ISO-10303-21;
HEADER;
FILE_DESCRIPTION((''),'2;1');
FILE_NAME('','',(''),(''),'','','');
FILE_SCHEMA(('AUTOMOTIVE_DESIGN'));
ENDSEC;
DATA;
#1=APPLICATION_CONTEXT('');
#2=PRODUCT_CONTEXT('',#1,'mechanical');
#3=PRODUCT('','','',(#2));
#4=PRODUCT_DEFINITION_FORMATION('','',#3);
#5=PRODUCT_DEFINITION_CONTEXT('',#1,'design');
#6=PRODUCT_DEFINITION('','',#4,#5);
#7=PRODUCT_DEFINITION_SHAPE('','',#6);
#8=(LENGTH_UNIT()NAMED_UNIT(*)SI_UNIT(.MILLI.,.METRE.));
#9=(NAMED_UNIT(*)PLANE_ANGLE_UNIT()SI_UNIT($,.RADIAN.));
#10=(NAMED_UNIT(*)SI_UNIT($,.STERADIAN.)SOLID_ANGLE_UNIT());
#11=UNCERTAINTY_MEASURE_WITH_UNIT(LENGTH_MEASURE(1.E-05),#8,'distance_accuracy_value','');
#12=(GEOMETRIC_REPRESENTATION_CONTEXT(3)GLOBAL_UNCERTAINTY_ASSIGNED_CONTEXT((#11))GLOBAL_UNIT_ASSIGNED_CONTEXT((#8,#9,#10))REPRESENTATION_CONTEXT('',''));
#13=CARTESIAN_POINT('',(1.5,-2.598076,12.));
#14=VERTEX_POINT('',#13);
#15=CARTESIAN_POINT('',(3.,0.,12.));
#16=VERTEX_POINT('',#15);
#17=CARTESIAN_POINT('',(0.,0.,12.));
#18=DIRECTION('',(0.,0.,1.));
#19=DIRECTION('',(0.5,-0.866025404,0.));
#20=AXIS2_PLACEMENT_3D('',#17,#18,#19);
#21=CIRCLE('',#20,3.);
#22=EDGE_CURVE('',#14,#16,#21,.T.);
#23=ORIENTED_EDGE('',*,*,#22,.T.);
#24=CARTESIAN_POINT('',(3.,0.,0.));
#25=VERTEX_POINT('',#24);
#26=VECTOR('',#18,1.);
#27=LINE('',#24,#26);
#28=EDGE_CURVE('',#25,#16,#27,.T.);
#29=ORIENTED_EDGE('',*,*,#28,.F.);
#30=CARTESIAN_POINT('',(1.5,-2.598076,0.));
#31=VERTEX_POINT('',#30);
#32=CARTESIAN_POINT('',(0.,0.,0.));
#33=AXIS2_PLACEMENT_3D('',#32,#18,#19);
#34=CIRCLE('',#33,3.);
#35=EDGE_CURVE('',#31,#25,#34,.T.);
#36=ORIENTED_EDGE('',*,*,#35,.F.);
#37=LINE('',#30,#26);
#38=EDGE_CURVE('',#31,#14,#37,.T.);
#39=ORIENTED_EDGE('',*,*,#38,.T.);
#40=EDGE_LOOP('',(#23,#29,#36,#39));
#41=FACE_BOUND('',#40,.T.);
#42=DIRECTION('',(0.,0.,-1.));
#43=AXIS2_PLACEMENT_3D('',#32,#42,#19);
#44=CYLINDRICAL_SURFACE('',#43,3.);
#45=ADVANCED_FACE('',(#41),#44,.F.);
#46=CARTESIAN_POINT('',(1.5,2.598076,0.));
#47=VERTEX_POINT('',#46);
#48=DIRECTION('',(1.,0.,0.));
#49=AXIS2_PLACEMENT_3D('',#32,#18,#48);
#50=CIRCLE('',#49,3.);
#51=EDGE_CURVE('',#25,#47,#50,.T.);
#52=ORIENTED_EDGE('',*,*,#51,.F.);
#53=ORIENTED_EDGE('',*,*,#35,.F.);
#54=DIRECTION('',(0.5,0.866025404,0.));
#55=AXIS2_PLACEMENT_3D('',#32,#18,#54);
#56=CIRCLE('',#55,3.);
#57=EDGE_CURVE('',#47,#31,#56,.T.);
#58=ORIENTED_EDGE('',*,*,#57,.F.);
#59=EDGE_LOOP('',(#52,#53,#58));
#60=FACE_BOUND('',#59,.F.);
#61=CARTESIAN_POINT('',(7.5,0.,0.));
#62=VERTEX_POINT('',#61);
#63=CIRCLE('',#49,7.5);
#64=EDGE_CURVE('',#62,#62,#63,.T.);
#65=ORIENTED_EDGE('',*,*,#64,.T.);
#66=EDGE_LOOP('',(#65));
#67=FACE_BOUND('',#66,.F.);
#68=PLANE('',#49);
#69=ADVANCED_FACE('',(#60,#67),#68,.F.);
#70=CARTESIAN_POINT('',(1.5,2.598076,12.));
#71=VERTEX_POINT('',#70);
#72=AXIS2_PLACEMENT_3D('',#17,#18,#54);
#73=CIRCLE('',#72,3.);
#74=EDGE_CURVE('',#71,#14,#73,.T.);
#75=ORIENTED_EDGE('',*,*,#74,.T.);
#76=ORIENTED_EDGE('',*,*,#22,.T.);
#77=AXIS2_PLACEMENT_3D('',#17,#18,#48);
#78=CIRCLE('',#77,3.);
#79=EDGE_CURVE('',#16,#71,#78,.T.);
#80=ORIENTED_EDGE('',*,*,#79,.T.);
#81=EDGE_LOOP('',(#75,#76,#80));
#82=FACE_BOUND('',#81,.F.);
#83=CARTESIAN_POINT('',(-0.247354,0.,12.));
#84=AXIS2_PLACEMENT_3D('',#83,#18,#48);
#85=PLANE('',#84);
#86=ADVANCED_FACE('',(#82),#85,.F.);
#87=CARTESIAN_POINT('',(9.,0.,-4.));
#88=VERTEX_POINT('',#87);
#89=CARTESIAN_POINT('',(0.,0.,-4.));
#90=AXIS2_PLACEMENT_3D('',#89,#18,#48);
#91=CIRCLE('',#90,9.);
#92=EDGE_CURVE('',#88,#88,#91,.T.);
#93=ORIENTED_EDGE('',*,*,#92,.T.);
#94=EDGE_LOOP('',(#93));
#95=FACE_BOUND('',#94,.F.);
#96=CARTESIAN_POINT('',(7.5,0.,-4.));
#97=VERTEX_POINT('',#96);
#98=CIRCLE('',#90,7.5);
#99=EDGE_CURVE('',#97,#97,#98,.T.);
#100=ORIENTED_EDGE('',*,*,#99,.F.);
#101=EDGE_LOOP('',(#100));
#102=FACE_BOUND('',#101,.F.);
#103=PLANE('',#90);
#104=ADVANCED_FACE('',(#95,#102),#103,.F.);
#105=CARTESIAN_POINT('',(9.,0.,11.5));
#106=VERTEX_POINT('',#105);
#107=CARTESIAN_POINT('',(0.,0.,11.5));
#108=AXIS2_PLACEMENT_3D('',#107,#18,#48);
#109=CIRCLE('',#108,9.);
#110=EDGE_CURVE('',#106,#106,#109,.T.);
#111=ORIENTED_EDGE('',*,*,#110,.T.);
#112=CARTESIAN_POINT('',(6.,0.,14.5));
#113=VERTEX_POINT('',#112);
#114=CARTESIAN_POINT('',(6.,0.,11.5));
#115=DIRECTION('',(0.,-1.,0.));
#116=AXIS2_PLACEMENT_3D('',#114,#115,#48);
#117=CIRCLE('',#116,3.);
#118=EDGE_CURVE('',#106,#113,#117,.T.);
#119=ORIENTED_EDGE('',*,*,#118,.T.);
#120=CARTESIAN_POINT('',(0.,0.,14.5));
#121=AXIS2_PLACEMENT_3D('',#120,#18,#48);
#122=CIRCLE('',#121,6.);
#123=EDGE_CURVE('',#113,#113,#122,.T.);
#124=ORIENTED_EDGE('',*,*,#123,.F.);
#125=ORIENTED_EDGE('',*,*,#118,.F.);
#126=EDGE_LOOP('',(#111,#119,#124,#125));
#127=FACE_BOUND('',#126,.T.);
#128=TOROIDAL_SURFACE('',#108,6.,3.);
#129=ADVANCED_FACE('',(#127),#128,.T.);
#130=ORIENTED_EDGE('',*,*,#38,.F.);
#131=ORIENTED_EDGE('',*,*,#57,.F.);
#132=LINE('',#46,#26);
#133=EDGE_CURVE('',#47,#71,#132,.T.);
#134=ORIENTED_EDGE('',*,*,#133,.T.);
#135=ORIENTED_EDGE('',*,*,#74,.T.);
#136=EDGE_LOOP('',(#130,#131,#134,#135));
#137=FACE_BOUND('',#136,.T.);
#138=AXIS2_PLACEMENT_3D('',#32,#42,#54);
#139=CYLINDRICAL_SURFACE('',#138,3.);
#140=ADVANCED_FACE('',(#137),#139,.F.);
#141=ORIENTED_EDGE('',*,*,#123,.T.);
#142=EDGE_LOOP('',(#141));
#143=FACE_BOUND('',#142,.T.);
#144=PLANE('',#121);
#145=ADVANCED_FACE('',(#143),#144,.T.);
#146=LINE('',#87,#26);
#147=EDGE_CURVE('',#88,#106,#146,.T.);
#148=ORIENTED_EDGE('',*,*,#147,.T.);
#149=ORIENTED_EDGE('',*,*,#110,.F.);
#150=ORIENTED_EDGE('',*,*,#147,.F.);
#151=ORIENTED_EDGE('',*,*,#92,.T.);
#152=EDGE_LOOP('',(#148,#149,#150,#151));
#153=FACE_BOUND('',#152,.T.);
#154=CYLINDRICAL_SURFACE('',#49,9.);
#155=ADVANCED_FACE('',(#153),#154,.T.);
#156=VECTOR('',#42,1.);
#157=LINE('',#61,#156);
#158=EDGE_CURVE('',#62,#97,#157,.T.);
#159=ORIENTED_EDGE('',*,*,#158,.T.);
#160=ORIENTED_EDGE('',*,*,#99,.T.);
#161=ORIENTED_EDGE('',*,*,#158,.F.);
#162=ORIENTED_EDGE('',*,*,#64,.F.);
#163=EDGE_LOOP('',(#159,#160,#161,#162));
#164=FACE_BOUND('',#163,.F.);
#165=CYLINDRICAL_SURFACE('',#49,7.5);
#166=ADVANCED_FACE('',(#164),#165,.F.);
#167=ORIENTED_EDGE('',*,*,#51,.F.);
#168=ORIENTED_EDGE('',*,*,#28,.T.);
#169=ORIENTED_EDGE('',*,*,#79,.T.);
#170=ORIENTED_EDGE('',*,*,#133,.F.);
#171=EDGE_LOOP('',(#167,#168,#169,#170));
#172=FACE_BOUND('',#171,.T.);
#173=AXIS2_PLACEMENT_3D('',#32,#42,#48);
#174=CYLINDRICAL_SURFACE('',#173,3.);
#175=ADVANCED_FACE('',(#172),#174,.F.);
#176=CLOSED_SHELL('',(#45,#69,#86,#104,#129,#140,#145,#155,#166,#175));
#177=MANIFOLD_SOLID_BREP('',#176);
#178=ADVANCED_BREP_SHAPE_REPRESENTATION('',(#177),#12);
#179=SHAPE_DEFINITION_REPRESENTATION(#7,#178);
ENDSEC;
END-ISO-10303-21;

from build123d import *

# Parameters (mm, degrees)
F0_R     = 9
F0_R_2   = 7.5
F1_DEPTH = 14.5
F2_DEPTH = 12
F3_DEPTH = 4
F4_R     = 3


with BuildPart() as f1:
    # F0 (on Top) → F1 (new body)
    with BuildSketch(Plane.XY):
        Circle(F0_R)
        Circle(F0_R_2, mode=Mode.SUBTRACT)
        Circle(F0_R_2)
        with BuildLine():
            ThreePointArc((1.5, 2.5980762114), (2.5980762114, 1.5), (3, 0))
            ThreePointArc((3, 0), (2.5980762114, -1.5), (1.5, -2.5980762114))
            ThreePointArc((1.5, -2.5980762114), (-3, 0), (1.5, 2.5980762114))
        make_face(mode=Mode.SUBTRACT)
        with BuildLine():
            Line((1.5, -2.5980762114), (1.5, 2.5980762114))
            ThreePointArc((1.5, 2.5980762114), (-3, 0), (1.5, -2.5980762114))
        make_face()
        with BuildLine():
            ThreePointArc((1.5, -2.5980762114), (2.5980762114, -1.5), (3, 0))
            ThreePointArc((3, 0), (2.5980762114, 1.5), (1.5, 2.5980762114))
            Line((1.5, 2.5980762114), (1.5, -2.5980762114))
        make_face()
    extrude(amount=F1_DEPTH)

    # F0 (on Top) → F2 (cut)
    with BuildSketch(Plane.XY):
        with BuildLine():
            Line((1.5, -2.5980762114), (1.5, 2.5980762114))
            ThreePointArc((1.5, 2.5980762114), (-3, 0), (1.5, -2.5980762114))
        make_face()
        with BuildLine():
            ThreePointArc((1.5, -2.5980762114), (2.5980762114, -1.5), (3, 0))
            ThreePointArc((3, 0), (2.5980762114, 1.5), (1.5, 2.5980762114))
            Line((1.5, 2.5980762114), (1.5, -2.5980762114))
        make_face()
    extrude(amount=F2_DEPTH, mode=Mode.SUBTRACT)

    # F0 (on Top) → F3 (join)
    with BuildSketch(Plane.XY):
        Circle(F0_R)
        Circle(F0_R_2, mode=Mode.SUBTRACT)
    extrude(amount=-F3_DEPTH)

    # F4
    f4_edges = [f1.edges().sort_by_distance(p)[0] for p in [
        (-9, 0, 14.5),
    ]]
    fillet(f4_edges, radius=F4_R)


solid = f1.part
